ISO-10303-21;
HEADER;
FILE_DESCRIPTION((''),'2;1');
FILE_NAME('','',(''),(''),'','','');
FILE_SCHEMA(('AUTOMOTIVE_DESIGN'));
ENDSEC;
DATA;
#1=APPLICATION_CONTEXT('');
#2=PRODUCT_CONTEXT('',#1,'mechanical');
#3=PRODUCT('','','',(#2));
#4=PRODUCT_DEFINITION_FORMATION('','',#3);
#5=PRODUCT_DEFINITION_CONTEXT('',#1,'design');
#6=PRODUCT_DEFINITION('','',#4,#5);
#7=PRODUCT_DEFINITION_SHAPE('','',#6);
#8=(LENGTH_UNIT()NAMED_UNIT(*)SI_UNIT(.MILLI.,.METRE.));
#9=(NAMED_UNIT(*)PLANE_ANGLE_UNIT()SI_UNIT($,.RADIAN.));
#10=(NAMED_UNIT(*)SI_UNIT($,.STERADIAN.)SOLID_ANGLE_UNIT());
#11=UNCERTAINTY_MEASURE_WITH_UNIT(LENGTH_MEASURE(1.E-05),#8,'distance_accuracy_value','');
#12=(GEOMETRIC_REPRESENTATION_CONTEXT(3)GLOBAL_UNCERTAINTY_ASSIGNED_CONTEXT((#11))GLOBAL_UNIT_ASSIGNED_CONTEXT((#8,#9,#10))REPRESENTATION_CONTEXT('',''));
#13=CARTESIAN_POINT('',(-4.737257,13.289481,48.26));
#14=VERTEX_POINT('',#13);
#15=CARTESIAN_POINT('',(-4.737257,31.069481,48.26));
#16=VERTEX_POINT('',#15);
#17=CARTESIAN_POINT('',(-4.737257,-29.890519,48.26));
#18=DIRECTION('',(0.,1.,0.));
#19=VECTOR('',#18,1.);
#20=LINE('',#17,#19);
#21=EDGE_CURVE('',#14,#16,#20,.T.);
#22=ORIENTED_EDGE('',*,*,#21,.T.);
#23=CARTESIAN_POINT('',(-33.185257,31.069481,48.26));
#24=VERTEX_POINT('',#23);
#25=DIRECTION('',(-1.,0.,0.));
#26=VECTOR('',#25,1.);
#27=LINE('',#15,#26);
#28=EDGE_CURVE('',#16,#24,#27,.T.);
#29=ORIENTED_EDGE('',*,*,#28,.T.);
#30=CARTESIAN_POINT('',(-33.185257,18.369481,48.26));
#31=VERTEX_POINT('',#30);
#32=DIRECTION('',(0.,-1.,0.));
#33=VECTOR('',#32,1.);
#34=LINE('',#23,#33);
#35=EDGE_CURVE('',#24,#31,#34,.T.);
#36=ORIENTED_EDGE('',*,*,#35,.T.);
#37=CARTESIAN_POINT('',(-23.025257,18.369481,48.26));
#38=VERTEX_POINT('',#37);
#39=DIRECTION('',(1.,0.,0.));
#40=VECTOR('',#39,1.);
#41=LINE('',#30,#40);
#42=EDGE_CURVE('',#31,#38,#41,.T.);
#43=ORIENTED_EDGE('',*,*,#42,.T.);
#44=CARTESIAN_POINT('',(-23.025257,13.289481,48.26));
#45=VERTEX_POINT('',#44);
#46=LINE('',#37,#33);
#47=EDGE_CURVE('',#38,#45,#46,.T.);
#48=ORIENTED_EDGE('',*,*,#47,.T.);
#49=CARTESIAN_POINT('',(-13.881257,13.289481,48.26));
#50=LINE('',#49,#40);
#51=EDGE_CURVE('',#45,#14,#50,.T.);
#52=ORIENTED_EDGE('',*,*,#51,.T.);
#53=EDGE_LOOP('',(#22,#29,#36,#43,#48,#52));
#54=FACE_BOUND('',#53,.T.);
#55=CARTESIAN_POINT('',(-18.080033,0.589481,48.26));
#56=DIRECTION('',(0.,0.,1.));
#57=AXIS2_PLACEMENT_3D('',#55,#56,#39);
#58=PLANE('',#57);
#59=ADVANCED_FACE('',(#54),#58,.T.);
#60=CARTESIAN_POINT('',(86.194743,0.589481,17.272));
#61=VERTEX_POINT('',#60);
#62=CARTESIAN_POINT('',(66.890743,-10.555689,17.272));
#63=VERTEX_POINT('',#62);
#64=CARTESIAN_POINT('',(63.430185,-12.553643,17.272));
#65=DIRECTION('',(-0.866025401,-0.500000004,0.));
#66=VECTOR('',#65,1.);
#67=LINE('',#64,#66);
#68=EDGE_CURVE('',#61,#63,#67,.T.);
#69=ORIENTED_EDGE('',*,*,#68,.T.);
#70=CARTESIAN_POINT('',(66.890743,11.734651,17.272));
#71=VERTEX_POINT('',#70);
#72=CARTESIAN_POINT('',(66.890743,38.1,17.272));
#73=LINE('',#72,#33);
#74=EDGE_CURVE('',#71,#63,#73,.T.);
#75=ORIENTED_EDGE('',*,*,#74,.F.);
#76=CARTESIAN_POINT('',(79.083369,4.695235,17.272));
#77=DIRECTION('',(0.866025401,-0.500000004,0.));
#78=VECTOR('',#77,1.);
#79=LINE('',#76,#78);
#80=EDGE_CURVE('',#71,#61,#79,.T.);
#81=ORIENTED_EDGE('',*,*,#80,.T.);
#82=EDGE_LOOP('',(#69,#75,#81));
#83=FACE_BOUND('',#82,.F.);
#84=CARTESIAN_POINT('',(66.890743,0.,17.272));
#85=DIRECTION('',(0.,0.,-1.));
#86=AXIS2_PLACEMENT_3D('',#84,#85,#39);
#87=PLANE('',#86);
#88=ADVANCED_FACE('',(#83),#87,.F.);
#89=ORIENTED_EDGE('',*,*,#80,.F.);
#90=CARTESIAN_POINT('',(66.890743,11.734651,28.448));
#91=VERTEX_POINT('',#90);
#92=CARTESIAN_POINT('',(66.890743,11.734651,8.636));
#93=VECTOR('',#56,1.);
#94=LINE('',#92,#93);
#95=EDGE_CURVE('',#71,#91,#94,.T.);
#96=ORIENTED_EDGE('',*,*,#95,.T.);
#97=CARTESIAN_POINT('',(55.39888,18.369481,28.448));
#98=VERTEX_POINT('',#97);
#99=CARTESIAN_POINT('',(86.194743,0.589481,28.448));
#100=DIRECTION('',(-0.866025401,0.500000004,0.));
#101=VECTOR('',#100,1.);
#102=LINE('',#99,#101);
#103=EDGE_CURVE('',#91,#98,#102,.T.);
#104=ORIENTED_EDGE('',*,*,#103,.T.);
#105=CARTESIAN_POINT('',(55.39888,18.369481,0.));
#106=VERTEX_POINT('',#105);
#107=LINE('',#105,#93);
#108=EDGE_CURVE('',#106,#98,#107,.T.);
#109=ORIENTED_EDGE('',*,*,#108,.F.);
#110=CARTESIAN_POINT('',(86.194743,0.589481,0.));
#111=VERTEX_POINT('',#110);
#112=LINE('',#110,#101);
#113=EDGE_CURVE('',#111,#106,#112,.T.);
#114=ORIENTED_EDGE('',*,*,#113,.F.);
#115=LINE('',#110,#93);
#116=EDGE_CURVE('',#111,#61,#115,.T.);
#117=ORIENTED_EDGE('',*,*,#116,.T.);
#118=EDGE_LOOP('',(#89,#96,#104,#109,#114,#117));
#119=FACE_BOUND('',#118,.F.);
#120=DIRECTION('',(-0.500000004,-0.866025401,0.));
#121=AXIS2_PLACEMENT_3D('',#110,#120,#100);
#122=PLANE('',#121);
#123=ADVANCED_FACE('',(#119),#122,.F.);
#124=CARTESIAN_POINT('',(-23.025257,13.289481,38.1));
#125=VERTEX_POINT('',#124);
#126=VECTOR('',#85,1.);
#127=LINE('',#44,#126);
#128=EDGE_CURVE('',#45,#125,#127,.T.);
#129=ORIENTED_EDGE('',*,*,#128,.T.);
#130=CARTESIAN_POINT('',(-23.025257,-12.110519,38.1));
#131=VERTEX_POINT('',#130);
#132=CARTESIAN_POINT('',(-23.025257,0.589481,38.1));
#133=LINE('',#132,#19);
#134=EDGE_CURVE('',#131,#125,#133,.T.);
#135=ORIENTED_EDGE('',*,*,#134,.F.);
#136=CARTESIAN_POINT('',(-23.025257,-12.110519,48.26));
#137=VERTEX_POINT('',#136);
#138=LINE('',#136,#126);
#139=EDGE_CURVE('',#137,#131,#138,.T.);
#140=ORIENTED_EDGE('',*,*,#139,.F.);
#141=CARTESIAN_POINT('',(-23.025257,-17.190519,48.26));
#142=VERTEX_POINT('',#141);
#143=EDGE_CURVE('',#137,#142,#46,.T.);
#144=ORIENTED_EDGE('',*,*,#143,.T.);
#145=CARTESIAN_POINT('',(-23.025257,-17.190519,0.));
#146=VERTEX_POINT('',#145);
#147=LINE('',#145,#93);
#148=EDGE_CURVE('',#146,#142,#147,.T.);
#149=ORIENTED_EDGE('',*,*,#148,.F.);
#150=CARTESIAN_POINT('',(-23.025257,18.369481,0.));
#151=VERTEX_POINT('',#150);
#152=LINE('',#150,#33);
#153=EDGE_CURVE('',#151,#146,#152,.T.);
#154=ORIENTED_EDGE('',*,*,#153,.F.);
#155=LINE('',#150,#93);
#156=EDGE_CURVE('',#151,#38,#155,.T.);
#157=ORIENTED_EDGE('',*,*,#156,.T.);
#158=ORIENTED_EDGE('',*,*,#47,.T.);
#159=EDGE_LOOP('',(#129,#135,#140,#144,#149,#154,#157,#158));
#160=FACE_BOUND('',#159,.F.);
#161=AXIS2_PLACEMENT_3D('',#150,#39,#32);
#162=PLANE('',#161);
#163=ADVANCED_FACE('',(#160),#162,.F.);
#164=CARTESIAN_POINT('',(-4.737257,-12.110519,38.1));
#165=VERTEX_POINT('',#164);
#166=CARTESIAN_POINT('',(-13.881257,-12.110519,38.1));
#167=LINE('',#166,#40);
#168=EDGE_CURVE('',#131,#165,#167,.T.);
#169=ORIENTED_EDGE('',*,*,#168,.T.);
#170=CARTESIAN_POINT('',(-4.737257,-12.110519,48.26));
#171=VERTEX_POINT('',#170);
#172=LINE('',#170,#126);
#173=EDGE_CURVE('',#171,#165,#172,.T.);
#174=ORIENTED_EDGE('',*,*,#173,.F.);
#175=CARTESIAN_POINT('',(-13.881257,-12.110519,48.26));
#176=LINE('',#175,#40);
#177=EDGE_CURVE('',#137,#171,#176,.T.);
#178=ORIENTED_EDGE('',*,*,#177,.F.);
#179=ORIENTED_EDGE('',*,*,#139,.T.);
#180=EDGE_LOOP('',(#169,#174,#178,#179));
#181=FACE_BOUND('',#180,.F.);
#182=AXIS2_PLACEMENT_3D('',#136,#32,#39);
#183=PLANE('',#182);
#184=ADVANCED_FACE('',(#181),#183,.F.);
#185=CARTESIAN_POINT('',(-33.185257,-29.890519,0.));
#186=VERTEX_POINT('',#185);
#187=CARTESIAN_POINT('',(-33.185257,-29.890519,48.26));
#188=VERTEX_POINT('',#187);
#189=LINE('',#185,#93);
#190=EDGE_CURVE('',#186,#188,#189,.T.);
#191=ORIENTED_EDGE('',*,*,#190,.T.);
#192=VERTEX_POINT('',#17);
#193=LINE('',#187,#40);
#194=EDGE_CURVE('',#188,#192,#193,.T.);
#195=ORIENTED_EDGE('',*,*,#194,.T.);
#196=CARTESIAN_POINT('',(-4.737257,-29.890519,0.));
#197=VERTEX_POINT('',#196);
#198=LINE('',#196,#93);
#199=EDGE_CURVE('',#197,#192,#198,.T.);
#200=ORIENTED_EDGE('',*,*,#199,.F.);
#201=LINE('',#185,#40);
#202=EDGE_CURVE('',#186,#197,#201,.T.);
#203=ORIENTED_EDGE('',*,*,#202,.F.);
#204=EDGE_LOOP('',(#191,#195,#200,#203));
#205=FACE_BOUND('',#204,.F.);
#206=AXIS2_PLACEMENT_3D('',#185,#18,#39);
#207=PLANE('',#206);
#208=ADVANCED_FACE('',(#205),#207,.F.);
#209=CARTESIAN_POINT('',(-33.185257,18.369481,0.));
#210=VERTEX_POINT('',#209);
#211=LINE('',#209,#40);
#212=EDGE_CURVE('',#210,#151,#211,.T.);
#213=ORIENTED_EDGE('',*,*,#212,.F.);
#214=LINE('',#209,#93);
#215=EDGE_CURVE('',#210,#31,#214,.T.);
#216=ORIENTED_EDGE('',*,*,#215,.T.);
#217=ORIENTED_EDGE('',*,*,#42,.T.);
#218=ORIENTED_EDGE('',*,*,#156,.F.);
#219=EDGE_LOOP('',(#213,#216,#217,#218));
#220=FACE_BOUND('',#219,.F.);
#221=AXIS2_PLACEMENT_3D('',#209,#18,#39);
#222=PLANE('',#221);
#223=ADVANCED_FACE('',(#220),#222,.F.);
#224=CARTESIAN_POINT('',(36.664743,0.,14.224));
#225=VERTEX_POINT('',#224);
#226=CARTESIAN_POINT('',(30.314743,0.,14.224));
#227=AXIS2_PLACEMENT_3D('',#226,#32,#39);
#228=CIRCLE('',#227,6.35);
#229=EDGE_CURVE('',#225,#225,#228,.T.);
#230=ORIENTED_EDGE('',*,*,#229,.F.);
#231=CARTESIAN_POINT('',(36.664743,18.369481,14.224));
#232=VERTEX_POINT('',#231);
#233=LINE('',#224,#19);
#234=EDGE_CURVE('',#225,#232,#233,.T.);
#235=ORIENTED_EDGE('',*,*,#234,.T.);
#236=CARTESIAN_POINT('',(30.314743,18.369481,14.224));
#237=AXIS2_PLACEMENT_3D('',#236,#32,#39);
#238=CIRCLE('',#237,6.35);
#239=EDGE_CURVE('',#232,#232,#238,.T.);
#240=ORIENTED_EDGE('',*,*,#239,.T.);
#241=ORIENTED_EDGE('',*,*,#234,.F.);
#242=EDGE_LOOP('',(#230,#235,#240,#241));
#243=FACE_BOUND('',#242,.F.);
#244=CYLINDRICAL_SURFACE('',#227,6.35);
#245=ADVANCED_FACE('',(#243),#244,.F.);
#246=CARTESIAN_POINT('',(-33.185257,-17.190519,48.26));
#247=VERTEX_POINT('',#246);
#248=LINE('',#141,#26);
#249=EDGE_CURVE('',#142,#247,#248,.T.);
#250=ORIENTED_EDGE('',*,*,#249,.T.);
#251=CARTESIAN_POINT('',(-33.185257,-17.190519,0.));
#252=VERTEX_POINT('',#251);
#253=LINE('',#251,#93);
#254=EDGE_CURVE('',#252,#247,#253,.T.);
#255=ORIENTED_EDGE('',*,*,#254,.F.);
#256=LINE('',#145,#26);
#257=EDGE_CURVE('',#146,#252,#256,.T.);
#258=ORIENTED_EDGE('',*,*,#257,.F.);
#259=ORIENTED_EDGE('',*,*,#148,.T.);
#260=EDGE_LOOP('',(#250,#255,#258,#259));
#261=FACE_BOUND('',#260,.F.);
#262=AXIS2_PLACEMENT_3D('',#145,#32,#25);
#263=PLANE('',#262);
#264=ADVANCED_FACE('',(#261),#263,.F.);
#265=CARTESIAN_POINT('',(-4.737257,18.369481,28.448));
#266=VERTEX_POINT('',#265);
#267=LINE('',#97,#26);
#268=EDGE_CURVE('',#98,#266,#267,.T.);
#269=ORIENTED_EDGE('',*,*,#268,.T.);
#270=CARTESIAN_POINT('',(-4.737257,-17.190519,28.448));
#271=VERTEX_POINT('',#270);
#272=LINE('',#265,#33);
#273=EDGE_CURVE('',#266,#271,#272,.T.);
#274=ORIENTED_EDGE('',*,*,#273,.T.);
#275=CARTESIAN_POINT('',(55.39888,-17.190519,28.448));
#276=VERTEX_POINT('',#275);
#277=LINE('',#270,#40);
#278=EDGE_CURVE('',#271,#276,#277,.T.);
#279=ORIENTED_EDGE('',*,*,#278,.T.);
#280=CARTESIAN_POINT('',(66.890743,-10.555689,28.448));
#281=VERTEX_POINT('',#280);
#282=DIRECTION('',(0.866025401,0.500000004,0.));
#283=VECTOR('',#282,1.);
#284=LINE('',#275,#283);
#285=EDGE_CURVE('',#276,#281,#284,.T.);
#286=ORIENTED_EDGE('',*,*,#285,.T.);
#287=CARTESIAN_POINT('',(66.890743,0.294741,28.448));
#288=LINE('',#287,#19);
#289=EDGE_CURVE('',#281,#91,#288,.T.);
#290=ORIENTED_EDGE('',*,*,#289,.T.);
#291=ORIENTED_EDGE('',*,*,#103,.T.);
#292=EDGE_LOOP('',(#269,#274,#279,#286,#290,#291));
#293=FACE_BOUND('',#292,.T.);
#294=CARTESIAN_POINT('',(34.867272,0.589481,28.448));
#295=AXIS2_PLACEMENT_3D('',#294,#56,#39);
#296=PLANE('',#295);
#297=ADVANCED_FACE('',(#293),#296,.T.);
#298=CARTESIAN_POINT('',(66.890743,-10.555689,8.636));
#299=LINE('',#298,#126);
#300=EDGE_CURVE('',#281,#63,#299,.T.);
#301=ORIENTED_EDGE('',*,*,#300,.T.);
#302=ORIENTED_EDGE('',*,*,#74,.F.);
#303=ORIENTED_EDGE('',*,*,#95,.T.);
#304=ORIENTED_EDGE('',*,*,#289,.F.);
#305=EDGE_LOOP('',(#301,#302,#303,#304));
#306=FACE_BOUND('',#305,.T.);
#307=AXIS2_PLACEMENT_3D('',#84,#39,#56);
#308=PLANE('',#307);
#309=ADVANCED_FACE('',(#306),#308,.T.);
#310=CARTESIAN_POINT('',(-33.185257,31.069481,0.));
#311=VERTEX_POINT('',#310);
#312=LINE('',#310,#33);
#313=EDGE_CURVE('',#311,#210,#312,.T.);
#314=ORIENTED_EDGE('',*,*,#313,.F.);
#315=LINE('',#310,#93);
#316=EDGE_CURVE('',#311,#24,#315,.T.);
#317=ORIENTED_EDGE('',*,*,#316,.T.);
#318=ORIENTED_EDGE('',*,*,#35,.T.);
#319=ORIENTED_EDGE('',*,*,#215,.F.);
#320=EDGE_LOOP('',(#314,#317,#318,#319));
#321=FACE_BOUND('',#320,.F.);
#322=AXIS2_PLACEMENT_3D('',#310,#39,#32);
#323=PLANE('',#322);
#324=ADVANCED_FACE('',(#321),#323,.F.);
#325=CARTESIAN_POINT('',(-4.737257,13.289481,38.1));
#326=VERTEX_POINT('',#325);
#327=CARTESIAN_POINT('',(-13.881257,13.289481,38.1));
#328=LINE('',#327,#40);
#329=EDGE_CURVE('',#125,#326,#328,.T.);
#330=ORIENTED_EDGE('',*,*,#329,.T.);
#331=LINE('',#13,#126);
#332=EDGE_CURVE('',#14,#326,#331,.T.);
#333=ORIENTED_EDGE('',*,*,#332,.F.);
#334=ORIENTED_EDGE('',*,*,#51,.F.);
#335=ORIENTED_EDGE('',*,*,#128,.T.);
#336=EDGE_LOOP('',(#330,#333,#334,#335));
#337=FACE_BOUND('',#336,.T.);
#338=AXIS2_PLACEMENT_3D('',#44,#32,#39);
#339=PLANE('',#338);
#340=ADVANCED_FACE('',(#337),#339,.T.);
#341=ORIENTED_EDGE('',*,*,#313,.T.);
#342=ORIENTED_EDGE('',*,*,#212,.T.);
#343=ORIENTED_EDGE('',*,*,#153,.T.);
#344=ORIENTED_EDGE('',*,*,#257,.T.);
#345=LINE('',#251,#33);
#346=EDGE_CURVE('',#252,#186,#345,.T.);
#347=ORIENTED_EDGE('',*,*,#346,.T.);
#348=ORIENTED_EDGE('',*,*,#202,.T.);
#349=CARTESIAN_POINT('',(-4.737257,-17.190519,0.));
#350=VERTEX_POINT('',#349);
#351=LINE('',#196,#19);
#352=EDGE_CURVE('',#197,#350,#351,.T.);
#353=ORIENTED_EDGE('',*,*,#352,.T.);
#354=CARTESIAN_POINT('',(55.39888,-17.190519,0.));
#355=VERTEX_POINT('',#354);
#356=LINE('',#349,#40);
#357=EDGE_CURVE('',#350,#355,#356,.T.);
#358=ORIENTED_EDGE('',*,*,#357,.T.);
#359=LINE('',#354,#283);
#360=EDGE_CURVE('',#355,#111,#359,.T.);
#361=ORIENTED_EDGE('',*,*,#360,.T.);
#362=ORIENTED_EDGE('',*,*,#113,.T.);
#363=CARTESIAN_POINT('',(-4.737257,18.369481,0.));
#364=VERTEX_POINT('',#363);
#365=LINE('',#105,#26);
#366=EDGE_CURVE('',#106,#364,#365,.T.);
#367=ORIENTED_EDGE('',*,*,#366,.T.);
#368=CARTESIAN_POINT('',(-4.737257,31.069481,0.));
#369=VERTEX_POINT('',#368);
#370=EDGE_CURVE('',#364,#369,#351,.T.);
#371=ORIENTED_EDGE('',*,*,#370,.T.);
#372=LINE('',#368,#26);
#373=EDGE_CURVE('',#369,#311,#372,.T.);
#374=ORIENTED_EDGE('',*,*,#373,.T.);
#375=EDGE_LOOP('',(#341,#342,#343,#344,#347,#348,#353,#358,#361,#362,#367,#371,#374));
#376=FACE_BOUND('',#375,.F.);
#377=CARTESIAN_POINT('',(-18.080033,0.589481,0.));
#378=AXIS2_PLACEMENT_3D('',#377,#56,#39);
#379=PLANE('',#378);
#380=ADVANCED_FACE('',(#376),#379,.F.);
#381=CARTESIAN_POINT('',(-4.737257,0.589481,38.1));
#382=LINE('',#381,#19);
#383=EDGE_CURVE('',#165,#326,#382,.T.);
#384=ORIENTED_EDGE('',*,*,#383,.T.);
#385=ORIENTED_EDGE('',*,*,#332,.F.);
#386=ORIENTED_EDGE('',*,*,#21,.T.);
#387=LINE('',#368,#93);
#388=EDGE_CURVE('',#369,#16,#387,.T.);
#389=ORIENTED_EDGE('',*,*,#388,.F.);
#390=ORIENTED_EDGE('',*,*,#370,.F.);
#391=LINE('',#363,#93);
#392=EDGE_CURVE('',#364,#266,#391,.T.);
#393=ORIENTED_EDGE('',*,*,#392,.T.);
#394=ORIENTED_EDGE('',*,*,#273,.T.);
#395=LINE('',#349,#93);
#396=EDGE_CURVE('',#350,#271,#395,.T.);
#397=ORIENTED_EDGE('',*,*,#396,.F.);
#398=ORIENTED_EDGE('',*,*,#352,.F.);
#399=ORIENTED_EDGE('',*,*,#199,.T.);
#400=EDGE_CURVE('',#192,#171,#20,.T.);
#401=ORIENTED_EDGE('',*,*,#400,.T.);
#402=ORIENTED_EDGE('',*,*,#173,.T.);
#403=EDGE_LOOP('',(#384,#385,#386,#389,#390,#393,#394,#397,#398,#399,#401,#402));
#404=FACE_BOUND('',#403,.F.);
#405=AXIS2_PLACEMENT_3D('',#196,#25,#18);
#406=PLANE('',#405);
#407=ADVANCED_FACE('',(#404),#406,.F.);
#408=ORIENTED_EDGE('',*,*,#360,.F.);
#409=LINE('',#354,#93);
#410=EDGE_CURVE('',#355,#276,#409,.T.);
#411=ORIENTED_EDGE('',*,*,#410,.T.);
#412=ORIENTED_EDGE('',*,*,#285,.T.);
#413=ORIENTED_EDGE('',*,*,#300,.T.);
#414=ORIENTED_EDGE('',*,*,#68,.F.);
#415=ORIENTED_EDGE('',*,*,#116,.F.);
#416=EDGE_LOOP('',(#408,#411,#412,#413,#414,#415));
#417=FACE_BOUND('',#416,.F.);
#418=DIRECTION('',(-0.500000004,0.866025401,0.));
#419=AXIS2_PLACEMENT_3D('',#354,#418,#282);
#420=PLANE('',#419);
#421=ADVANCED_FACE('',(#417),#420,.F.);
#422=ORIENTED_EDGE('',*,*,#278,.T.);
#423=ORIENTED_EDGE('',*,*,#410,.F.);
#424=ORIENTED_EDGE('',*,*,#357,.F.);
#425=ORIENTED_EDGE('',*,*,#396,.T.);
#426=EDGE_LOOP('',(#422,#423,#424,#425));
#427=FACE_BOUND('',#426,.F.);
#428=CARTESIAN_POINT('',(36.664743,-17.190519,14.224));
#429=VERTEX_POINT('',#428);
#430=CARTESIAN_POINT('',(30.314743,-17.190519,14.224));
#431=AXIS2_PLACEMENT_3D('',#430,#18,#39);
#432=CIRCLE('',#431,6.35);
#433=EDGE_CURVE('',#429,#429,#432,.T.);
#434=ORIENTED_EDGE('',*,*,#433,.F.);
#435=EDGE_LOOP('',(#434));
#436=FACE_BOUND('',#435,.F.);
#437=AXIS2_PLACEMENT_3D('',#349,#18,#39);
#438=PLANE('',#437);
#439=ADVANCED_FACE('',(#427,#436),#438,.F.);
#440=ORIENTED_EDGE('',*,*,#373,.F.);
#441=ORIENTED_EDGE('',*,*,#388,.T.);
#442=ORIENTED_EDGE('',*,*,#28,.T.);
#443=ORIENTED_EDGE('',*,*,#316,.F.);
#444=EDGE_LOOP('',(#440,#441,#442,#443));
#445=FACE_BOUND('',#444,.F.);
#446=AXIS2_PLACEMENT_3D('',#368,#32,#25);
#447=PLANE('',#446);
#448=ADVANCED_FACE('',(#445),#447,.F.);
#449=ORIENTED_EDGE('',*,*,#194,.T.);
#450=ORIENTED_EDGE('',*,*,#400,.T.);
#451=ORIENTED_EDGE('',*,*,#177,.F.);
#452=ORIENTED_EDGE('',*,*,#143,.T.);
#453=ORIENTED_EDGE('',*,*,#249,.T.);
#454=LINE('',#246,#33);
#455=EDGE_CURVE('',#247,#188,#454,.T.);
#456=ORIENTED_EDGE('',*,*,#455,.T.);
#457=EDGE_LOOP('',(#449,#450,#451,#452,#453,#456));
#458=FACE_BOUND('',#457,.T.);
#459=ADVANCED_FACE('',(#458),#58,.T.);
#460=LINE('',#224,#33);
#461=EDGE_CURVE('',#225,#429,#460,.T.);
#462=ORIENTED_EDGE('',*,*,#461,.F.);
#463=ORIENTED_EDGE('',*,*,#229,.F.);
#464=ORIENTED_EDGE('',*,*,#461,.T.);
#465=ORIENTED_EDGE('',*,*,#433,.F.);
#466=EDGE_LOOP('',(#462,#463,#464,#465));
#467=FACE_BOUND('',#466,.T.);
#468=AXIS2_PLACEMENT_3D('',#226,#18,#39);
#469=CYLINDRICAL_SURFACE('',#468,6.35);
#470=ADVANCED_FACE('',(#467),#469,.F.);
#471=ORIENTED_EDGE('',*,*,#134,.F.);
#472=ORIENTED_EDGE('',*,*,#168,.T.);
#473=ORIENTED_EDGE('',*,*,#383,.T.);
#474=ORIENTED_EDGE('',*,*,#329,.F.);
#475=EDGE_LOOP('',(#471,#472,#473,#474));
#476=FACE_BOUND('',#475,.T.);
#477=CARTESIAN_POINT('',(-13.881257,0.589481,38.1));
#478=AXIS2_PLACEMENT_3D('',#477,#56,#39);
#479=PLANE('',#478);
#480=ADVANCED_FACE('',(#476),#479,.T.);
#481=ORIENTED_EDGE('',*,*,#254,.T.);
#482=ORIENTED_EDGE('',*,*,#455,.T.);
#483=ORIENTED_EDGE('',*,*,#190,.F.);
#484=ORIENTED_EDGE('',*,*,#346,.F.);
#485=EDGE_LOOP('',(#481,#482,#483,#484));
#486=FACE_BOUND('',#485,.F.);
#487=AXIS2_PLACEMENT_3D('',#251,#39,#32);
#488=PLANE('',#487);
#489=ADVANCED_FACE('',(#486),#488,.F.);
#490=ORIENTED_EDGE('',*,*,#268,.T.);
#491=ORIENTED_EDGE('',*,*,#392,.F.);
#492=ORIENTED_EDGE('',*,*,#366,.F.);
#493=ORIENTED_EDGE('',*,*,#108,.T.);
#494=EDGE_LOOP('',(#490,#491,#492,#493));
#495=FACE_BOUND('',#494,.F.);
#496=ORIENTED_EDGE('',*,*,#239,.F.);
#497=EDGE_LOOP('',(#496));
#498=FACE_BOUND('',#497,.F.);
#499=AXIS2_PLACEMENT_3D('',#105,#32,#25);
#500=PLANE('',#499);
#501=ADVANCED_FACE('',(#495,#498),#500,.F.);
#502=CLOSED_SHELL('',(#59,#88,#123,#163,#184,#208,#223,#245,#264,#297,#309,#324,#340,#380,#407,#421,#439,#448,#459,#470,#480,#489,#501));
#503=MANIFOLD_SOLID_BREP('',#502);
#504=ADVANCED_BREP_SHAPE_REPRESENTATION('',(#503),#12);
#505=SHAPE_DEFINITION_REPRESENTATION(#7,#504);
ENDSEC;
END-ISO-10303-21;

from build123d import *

# Parameters (mm, degrees)
F1_DEPTH = 48.26
F2_W     = 18.288
F2_H     = 25.4
F3_DEPTH = 10.16
F5_DEPTH = 28.448
F6_R     = 6.35
F6_W     = 51.748991
F6_H     = 25.627352
F7_DEPTH = 38.1


with BuildPart() as f1:
    # F0 (on Top) → F1 (new body)
    with BuildSketch(Plane.XY):
        Polygon((-4.737257, 31.069481), (-33.185257, 31.069481), (-33.185257, 18.369481), (-23.025257, 18.369481), (-23.025257, -17.190519), (-33.185257, -17.190519), (-33.185257, -29.890519), (-4.737257, -29.890519), align=None)
    extrude(amount=F1_DEPTH)

    # F2 (on face) → F3 (cut)
    with BuildSketch(Plane.XY.offset(48.26)):
        with Locations((-13.881257, 0.589481)):
            Rectangle(F2_W, F2_H)
    extrude(amount=-F3_DEPTH, mode=Mode.SUBTRACT)

    # F4 (on Top) → F5 (join)
    with BuildSketch(Plane.XY):
        Polygon((-4.737257, 18.369481), (-4.737257, -17.190519), (55.39888, -17.190519), (86.194743, 0.589481), (55.39888, 18.369481), align=None)
    extrude(amount=F5_DEPTH)

    # F6 (on Front) → F7 (cut, symmetric)
    with BuildSketch(Plane.XZ):
        with Locations((30.314743, 14.224)):
            Circle(F6_R)
        with Locations((92.765238, 30.085676)):
            Rectangle(F6_W, F6_H)
    extrude(amount=F7_DEPTH, both=True, mode=Mode.SUBTRACT)


solid = f1.part
